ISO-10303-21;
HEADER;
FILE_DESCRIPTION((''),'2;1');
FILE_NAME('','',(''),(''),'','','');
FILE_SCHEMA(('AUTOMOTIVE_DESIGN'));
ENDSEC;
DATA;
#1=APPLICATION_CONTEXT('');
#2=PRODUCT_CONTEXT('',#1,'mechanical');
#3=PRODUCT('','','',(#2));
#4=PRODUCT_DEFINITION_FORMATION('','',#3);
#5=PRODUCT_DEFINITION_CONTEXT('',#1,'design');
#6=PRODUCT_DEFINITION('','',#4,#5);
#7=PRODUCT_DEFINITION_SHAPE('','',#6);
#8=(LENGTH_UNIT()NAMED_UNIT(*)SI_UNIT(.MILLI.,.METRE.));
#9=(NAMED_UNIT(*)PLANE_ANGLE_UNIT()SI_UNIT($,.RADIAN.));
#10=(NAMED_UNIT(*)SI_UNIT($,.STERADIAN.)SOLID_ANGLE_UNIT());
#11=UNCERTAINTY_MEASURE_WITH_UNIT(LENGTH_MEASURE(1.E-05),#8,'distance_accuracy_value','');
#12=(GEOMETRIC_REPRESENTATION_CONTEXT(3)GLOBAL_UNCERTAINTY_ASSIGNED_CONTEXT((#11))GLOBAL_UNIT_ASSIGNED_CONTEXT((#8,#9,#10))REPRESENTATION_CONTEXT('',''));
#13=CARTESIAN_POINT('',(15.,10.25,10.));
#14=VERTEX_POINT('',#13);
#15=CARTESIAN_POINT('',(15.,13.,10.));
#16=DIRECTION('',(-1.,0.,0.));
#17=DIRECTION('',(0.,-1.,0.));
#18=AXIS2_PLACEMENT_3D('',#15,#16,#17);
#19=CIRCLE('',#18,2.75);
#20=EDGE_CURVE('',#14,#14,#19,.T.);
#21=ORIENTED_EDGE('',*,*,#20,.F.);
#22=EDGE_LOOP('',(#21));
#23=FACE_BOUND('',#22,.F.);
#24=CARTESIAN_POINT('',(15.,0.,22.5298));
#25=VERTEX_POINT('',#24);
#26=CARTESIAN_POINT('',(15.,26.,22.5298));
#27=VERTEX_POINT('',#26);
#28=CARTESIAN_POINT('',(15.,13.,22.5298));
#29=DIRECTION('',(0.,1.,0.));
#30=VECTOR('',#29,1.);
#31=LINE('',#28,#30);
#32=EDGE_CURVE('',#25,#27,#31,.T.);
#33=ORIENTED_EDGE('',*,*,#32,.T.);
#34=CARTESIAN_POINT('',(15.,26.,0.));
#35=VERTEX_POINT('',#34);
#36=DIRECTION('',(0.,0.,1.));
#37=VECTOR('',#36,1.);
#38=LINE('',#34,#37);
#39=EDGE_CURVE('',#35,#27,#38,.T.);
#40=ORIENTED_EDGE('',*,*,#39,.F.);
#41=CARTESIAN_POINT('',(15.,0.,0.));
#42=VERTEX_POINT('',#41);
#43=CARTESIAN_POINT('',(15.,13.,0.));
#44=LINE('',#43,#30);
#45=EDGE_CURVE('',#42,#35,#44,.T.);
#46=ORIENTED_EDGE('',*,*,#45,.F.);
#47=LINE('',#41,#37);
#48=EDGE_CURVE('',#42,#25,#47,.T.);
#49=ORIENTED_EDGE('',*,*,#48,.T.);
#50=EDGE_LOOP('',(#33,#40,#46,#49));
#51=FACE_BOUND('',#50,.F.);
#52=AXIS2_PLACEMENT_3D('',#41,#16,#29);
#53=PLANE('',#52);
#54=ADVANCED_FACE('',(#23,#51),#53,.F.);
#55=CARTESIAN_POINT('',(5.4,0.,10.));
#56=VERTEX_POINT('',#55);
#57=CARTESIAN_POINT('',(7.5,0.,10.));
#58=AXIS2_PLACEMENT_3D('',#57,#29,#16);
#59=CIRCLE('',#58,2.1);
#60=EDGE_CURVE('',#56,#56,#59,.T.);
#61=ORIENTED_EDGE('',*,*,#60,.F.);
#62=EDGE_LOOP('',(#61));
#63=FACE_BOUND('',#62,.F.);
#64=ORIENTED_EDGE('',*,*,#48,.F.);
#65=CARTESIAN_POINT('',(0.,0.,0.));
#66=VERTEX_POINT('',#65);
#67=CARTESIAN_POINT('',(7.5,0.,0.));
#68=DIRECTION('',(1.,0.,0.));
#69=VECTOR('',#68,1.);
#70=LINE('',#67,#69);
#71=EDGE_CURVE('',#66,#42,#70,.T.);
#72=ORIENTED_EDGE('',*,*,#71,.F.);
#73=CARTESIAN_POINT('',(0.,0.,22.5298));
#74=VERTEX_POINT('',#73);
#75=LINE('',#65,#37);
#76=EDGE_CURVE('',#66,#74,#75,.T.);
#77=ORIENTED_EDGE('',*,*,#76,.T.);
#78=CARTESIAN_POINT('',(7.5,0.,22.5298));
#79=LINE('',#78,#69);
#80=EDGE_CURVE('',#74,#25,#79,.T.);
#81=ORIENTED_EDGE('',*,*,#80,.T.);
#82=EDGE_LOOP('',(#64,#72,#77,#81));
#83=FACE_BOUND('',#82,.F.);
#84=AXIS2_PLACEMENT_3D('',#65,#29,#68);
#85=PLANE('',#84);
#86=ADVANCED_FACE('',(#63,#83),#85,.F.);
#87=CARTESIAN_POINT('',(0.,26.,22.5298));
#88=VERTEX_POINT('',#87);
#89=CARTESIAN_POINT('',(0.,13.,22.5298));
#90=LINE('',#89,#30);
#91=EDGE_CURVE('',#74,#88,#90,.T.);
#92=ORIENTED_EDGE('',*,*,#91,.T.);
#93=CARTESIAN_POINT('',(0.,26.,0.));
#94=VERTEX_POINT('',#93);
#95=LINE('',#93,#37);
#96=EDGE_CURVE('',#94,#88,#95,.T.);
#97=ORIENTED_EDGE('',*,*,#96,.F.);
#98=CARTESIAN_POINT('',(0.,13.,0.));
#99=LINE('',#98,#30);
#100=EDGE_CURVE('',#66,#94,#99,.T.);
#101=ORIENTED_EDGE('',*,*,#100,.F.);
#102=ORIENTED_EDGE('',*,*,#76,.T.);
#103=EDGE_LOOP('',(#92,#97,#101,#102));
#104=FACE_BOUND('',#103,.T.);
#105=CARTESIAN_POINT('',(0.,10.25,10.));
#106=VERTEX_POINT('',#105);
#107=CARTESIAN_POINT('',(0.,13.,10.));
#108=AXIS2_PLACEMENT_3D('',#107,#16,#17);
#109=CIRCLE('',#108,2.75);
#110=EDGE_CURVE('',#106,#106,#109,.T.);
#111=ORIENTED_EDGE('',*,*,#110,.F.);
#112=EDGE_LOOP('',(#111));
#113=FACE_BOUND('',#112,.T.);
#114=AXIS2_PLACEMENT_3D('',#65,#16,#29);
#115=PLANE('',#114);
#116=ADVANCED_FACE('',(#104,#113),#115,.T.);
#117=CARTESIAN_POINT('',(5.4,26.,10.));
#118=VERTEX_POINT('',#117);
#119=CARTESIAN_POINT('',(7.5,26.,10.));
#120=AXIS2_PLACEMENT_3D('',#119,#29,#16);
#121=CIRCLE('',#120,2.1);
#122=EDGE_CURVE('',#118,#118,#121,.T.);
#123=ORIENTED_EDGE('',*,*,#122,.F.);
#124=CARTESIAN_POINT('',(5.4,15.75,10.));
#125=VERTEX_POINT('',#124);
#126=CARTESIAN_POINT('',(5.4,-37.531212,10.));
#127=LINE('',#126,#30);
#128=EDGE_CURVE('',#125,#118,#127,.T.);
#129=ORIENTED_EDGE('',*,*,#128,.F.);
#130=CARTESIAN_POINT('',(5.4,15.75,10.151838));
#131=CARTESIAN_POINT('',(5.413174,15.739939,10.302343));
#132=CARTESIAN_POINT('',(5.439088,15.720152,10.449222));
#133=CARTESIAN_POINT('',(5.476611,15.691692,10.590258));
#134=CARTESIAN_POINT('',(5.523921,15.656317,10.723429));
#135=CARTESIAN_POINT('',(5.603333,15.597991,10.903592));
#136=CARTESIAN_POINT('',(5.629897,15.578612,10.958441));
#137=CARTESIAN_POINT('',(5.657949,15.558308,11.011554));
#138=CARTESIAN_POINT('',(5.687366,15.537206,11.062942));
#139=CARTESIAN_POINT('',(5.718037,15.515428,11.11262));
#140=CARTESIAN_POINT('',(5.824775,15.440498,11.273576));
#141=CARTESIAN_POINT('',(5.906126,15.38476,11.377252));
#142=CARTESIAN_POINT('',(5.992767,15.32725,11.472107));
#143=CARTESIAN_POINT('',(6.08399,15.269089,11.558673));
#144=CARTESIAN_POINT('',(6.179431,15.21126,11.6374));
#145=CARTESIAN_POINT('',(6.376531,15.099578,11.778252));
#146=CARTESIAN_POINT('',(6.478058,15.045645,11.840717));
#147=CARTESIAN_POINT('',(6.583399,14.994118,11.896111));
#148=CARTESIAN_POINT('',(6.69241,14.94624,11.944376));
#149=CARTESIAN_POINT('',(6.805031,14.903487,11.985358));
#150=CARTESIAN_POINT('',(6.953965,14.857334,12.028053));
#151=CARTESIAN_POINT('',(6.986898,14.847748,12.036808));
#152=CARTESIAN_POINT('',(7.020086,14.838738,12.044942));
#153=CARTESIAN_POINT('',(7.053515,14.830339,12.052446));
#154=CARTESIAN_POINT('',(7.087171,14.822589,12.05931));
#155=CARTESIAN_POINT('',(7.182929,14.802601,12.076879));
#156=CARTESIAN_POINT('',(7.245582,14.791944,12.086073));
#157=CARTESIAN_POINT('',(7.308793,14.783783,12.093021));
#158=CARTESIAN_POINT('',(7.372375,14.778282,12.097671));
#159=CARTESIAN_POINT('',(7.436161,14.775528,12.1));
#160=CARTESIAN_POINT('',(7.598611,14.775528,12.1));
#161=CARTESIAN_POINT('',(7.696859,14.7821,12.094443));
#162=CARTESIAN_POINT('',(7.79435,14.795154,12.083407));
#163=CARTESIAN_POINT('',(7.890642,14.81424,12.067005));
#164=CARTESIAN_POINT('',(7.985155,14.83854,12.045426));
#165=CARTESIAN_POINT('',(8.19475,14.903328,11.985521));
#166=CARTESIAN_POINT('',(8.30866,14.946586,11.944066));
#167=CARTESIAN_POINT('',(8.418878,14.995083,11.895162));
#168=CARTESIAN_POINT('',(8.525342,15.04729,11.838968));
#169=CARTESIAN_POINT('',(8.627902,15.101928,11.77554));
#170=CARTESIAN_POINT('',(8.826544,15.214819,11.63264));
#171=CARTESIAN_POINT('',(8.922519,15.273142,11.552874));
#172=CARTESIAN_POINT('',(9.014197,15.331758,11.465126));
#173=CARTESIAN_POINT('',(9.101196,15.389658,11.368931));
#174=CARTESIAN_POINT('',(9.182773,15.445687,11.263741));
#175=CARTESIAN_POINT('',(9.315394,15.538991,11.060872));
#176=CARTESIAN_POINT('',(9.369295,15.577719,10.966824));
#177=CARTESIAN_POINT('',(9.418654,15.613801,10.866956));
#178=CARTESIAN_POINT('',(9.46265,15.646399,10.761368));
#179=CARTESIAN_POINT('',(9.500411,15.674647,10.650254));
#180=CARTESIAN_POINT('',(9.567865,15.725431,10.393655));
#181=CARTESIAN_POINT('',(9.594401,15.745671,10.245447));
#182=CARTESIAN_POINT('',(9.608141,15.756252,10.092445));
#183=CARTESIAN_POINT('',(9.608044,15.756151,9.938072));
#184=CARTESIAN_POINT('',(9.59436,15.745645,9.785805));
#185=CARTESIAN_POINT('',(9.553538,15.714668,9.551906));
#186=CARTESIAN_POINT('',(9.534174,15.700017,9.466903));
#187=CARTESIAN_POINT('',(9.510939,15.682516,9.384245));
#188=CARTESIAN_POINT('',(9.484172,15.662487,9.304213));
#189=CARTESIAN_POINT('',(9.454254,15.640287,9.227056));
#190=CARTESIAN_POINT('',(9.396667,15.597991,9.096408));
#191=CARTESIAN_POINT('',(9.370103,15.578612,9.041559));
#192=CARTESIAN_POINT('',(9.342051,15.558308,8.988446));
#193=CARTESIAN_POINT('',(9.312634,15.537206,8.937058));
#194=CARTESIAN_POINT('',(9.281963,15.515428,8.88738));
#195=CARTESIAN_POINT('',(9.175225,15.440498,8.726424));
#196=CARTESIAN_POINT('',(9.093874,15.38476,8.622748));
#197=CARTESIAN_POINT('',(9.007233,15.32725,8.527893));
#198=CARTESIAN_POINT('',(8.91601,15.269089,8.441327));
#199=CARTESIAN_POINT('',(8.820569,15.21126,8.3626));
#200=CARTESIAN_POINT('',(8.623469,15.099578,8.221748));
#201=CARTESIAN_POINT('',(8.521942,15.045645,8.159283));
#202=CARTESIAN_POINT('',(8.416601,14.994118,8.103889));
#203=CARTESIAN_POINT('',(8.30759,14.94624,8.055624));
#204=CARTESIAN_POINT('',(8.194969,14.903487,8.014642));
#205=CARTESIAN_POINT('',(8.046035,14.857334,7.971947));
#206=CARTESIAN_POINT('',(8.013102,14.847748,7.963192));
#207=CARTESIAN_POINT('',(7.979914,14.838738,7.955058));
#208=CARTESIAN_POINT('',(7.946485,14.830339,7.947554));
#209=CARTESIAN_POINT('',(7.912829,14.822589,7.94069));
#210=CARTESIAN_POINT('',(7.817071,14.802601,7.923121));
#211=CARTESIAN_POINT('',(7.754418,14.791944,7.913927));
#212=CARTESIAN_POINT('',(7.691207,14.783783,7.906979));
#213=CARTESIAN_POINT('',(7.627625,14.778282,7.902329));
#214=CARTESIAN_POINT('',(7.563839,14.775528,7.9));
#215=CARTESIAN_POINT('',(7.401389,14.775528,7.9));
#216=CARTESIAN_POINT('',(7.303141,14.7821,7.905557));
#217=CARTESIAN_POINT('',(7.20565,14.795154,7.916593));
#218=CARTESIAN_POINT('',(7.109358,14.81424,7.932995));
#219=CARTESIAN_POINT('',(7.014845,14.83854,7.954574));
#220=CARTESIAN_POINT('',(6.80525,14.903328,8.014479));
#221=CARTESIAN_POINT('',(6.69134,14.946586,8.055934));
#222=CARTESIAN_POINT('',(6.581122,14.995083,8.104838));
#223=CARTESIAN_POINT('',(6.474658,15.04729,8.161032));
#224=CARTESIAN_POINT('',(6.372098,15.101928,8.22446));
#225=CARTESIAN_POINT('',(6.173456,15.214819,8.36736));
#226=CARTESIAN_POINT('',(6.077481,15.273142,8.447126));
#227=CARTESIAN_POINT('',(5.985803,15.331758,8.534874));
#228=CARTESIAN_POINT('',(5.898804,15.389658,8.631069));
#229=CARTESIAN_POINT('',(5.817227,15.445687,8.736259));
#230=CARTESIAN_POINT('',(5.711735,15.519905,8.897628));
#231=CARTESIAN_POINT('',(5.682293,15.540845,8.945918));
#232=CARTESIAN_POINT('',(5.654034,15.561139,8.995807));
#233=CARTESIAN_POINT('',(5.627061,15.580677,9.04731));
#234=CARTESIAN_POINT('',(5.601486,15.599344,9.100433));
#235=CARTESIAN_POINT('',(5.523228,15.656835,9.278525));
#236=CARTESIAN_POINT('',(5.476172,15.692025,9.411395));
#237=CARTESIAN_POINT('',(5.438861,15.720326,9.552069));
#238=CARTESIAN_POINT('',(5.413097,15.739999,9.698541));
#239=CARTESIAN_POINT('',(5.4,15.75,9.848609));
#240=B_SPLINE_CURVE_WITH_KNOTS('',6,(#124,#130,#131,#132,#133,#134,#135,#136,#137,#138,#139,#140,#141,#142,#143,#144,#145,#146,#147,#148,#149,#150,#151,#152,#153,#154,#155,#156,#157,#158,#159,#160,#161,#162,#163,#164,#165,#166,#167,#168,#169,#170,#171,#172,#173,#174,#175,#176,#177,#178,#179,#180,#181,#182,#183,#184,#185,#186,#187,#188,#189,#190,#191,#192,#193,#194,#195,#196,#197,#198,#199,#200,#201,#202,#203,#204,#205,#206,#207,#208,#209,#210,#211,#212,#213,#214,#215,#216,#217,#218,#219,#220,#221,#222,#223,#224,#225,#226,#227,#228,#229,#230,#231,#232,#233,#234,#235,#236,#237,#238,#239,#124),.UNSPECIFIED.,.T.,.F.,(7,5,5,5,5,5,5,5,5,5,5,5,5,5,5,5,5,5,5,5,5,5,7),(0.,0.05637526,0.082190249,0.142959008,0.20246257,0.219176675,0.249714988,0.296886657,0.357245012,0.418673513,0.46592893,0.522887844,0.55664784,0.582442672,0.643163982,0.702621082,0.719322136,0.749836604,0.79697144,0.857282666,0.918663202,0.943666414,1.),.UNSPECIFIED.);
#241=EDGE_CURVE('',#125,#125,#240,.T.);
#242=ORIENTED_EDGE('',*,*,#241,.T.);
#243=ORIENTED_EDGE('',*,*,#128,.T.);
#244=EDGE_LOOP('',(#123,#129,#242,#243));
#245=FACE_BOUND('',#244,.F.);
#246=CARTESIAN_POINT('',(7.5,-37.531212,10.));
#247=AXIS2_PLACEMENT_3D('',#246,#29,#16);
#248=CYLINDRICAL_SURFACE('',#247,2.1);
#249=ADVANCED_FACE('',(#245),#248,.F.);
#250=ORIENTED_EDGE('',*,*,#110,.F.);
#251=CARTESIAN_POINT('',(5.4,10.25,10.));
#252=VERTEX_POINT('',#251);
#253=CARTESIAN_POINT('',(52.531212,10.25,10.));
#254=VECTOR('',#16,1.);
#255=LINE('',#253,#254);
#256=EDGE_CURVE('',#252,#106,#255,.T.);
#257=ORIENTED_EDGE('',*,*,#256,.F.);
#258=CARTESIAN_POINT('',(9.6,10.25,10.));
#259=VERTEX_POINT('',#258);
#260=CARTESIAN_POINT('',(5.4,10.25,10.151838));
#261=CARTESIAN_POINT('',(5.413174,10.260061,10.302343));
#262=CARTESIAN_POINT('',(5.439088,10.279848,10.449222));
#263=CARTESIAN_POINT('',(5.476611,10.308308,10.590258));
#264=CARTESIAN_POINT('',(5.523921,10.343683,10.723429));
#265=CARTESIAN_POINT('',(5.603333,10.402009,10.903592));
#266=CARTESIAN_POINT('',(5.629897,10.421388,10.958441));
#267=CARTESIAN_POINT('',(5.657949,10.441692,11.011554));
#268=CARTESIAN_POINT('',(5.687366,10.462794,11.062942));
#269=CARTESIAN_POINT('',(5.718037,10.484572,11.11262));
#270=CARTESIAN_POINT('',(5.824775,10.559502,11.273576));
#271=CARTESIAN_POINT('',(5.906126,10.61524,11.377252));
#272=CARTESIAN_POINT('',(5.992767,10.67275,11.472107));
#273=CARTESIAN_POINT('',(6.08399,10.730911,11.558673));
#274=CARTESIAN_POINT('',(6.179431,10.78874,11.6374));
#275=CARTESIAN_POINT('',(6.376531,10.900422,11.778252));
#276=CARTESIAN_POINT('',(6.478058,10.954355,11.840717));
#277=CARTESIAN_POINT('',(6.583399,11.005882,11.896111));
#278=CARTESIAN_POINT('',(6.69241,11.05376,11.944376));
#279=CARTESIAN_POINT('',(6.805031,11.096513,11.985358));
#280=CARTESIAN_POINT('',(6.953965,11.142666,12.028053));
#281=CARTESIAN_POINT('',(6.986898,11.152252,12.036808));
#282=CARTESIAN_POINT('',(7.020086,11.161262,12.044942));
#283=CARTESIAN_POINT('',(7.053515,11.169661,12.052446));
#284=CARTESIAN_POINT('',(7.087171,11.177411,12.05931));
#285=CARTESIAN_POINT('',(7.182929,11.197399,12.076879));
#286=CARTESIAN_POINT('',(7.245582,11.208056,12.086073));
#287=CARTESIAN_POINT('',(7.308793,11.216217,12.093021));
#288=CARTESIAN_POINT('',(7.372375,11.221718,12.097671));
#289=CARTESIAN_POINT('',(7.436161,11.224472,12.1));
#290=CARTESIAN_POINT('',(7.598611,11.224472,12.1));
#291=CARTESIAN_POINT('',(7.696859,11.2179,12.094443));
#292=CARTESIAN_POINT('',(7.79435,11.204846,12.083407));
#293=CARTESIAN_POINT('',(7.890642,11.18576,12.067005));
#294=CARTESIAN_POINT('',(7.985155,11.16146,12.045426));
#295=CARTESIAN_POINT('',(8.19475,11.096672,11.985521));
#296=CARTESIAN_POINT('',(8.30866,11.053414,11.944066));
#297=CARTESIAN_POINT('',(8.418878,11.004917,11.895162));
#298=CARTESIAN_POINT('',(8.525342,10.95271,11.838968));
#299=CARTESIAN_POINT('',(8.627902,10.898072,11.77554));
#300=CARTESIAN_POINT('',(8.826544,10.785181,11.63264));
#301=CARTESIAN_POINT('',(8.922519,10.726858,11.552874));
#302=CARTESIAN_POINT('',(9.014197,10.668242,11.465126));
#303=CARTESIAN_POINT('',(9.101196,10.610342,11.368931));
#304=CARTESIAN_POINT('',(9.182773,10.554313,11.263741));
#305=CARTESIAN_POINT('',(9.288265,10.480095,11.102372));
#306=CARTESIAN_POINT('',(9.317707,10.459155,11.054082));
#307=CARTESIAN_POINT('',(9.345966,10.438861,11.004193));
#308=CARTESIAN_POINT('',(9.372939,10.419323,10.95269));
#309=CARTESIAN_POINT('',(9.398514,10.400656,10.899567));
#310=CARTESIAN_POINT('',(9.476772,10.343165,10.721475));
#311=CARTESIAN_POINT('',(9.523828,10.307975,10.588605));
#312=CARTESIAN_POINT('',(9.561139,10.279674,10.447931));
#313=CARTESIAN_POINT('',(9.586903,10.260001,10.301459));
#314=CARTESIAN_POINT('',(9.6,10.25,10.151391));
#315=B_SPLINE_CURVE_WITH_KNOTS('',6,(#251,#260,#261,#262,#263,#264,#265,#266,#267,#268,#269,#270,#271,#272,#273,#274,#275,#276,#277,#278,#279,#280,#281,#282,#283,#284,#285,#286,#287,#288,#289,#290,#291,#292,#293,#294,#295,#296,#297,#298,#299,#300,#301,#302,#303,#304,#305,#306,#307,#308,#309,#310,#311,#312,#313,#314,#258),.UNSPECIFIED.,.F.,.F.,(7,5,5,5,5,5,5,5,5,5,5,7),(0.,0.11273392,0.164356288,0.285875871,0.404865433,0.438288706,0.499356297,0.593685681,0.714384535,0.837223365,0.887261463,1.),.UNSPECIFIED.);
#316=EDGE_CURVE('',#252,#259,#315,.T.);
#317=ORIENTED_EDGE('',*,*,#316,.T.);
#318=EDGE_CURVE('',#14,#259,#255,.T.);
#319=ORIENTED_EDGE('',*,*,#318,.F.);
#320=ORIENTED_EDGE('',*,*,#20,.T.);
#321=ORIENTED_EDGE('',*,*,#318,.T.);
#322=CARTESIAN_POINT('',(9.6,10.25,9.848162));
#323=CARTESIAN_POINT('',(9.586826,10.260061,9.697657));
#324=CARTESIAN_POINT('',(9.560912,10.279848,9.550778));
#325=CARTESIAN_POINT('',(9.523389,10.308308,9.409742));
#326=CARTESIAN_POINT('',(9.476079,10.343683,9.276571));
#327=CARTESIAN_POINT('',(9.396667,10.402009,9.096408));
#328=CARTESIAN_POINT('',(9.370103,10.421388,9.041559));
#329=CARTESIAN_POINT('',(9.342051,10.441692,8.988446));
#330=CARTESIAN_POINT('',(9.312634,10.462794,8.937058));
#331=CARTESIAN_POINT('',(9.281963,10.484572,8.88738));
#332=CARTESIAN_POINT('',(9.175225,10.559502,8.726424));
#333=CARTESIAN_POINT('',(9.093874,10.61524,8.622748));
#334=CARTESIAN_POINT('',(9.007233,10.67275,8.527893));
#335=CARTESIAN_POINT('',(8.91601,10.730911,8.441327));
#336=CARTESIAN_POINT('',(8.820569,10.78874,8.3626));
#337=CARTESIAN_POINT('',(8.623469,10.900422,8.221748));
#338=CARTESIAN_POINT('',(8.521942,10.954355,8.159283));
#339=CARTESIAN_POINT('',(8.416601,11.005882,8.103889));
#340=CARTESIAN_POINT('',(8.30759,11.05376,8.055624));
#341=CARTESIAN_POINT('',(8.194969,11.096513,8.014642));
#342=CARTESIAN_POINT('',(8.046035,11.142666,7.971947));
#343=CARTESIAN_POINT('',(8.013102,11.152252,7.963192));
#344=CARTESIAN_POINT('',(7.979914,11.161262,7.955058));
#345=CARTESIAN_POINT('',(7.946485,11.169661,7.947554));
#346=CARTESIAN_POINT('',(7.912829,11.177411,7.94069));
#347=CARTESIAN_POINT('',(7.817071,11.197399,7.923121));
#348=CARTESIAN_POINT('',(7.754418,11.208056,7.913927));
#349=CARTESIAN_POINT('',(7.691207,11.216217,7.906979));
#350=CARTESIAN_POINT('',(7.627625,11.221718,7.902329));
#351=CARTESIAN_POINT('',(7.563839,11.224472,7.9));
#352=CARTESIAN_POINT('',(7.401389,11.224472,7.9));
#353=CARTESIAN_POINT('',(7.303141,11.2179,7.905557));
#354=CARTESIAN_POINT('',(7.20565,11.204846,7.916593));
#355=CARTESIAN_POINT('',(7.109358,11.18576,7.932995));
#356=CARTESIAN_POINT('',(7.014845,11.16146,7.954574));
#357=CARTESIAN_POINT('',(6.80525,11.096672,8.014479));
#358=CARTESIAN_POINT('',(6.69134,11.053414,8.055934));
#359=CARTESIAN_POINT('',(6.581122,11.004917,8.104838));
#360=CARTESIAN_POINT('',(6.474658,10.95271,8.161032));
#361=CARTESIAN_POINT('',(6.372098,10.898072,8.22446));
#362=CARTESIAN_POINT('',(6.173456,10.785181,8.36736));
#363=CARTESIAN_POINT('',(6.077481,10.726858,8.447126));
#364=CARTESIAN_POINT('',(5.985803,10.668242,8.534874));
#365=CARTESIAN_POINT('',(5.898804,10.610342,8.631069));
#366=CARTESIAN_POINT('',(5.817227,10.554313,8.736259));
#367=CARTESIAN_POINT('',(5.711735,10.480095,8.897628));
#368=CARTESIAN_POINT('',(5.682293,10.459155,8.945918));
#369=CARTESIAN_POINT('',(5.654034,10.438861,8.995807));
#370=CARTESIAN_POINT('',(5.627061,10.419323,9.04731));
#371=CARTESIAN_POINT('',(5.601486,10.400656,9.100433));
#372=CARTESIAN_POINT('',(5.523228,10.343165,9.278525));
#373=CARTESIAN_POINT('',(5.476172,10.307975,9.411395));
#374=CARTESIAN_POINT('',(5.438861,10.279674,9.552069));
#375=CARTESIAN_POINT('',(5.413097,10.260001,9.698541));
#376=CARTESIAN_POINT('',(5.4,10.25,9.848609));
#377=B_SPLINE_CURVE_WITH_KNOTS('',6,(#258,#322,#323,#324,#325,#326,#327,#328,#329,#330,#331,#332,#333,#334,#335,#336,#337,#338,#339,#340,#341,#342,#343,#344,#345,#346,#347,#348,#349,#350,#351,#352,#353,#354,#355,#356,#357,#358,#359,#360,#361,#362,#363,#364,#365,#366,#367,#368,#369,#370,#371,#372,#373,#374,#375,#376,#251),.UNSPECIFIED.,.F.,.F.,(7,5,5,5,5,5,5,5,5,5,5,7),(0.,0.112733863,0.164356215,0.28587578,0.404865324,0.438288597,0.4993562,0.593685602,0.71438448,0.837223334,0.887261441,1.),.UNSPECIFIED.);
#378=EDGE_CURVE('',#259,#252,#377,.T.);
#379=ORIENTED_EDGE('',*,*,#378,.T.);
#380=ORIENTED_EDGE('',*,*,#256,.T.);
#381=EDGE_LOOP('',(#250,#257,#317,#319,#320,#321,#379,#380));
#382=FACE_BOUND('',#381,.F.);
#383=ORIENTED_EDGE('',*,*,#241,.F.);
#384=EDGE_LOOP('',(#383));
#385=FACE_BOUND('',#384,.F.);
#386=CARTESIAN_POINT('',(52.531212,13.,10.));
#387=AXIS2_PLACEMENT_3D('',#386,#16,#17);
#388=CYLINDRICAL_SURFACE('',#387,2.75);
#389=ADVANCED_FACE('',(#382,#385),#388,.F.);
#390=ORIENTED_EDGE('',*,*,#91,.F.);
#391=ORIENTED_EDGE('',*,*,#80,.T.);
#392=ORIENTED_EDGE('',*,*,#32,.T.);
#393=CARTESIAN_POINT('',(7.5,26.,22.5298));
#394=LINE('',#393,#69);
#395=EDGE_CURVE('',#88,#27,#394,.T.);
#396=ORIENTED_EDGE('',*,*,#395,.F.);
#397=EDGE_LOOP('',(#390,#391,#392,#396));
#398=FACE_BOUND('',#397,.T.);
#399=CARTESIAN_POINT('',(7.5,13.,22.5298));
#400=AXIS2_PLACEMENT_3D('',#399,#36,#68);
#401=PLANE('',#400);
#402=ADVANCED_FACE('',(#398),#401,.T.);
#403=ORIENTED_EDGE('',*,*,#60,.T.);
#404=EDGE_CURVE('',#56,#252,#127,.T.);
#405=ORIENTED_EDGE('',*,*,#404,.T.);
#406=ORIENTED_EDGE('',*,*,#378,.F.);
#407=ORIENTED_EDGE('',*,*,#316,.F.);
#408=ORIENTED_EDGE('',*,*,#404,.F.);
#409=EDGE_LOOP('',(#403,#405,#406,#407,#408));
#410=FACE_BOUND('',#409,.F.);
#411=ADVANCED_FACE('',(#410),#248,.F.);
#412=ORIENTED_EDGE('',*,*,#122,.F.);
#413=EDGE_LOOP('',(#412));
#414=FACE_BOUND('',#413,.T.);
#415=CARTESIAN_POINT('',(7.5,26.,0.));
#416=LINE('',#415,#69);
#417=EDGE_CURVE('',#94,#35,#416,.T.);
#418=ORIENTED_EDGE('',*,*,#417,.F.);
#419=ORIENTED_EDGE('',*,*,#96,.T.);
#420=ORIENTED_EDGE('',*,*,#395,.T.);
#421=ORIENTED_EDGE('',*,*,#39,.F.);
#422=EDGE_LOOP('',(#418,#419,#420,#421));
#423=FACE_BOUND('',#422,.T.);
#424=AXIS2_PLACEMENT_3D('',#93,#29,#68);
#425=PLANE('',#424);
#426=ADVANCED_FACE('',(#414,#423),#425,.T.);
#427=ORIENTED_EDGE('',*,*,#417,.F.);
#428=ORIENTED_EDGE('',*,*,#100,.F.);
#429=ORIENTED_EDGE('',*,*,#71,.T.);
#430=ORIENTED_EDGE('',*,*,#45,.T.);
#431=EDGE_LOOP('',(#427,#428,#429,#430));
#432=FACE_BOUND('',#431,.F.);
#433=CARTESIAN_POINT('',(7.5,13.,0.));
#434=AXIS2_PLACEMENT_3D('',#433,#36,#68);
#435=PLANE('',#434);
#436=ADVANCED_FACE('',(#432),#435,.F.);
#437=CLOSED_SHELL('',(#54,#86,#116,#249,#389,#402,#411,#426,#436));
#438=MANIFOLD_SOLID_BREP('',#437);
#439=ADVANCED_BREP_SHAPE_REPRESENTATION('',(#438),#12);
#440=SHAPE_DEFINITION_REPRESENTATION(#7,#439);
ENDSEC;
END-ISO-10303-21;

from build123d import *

# Parameters (mm, degrees)
F0_W     = 15
F0_H     = 26
F1_DEPTH = 22.5298
F3_D     = 4.2
F5_D     = 5.5


with BuildPart() as f1:
    # F0 (on Top) → F1 (new body)
    with BuildSketch(Plane.XY):
        with Locations((7.5, 13)):
            Rectangle(F0_W, F0_H)
    extrude(amount=F1_DEPTH)

    # F3 (through all)
    with Locations(Plane.XZ):
        with Locations((7.5, 10)):
            Hole(F3_D / 2)

    # F5 (through all)
    with Locations(Plane.YZ.offset(15)):
        with Locations((13, 10)):
            Hole(F5_D / 2)


solid = f1.part
